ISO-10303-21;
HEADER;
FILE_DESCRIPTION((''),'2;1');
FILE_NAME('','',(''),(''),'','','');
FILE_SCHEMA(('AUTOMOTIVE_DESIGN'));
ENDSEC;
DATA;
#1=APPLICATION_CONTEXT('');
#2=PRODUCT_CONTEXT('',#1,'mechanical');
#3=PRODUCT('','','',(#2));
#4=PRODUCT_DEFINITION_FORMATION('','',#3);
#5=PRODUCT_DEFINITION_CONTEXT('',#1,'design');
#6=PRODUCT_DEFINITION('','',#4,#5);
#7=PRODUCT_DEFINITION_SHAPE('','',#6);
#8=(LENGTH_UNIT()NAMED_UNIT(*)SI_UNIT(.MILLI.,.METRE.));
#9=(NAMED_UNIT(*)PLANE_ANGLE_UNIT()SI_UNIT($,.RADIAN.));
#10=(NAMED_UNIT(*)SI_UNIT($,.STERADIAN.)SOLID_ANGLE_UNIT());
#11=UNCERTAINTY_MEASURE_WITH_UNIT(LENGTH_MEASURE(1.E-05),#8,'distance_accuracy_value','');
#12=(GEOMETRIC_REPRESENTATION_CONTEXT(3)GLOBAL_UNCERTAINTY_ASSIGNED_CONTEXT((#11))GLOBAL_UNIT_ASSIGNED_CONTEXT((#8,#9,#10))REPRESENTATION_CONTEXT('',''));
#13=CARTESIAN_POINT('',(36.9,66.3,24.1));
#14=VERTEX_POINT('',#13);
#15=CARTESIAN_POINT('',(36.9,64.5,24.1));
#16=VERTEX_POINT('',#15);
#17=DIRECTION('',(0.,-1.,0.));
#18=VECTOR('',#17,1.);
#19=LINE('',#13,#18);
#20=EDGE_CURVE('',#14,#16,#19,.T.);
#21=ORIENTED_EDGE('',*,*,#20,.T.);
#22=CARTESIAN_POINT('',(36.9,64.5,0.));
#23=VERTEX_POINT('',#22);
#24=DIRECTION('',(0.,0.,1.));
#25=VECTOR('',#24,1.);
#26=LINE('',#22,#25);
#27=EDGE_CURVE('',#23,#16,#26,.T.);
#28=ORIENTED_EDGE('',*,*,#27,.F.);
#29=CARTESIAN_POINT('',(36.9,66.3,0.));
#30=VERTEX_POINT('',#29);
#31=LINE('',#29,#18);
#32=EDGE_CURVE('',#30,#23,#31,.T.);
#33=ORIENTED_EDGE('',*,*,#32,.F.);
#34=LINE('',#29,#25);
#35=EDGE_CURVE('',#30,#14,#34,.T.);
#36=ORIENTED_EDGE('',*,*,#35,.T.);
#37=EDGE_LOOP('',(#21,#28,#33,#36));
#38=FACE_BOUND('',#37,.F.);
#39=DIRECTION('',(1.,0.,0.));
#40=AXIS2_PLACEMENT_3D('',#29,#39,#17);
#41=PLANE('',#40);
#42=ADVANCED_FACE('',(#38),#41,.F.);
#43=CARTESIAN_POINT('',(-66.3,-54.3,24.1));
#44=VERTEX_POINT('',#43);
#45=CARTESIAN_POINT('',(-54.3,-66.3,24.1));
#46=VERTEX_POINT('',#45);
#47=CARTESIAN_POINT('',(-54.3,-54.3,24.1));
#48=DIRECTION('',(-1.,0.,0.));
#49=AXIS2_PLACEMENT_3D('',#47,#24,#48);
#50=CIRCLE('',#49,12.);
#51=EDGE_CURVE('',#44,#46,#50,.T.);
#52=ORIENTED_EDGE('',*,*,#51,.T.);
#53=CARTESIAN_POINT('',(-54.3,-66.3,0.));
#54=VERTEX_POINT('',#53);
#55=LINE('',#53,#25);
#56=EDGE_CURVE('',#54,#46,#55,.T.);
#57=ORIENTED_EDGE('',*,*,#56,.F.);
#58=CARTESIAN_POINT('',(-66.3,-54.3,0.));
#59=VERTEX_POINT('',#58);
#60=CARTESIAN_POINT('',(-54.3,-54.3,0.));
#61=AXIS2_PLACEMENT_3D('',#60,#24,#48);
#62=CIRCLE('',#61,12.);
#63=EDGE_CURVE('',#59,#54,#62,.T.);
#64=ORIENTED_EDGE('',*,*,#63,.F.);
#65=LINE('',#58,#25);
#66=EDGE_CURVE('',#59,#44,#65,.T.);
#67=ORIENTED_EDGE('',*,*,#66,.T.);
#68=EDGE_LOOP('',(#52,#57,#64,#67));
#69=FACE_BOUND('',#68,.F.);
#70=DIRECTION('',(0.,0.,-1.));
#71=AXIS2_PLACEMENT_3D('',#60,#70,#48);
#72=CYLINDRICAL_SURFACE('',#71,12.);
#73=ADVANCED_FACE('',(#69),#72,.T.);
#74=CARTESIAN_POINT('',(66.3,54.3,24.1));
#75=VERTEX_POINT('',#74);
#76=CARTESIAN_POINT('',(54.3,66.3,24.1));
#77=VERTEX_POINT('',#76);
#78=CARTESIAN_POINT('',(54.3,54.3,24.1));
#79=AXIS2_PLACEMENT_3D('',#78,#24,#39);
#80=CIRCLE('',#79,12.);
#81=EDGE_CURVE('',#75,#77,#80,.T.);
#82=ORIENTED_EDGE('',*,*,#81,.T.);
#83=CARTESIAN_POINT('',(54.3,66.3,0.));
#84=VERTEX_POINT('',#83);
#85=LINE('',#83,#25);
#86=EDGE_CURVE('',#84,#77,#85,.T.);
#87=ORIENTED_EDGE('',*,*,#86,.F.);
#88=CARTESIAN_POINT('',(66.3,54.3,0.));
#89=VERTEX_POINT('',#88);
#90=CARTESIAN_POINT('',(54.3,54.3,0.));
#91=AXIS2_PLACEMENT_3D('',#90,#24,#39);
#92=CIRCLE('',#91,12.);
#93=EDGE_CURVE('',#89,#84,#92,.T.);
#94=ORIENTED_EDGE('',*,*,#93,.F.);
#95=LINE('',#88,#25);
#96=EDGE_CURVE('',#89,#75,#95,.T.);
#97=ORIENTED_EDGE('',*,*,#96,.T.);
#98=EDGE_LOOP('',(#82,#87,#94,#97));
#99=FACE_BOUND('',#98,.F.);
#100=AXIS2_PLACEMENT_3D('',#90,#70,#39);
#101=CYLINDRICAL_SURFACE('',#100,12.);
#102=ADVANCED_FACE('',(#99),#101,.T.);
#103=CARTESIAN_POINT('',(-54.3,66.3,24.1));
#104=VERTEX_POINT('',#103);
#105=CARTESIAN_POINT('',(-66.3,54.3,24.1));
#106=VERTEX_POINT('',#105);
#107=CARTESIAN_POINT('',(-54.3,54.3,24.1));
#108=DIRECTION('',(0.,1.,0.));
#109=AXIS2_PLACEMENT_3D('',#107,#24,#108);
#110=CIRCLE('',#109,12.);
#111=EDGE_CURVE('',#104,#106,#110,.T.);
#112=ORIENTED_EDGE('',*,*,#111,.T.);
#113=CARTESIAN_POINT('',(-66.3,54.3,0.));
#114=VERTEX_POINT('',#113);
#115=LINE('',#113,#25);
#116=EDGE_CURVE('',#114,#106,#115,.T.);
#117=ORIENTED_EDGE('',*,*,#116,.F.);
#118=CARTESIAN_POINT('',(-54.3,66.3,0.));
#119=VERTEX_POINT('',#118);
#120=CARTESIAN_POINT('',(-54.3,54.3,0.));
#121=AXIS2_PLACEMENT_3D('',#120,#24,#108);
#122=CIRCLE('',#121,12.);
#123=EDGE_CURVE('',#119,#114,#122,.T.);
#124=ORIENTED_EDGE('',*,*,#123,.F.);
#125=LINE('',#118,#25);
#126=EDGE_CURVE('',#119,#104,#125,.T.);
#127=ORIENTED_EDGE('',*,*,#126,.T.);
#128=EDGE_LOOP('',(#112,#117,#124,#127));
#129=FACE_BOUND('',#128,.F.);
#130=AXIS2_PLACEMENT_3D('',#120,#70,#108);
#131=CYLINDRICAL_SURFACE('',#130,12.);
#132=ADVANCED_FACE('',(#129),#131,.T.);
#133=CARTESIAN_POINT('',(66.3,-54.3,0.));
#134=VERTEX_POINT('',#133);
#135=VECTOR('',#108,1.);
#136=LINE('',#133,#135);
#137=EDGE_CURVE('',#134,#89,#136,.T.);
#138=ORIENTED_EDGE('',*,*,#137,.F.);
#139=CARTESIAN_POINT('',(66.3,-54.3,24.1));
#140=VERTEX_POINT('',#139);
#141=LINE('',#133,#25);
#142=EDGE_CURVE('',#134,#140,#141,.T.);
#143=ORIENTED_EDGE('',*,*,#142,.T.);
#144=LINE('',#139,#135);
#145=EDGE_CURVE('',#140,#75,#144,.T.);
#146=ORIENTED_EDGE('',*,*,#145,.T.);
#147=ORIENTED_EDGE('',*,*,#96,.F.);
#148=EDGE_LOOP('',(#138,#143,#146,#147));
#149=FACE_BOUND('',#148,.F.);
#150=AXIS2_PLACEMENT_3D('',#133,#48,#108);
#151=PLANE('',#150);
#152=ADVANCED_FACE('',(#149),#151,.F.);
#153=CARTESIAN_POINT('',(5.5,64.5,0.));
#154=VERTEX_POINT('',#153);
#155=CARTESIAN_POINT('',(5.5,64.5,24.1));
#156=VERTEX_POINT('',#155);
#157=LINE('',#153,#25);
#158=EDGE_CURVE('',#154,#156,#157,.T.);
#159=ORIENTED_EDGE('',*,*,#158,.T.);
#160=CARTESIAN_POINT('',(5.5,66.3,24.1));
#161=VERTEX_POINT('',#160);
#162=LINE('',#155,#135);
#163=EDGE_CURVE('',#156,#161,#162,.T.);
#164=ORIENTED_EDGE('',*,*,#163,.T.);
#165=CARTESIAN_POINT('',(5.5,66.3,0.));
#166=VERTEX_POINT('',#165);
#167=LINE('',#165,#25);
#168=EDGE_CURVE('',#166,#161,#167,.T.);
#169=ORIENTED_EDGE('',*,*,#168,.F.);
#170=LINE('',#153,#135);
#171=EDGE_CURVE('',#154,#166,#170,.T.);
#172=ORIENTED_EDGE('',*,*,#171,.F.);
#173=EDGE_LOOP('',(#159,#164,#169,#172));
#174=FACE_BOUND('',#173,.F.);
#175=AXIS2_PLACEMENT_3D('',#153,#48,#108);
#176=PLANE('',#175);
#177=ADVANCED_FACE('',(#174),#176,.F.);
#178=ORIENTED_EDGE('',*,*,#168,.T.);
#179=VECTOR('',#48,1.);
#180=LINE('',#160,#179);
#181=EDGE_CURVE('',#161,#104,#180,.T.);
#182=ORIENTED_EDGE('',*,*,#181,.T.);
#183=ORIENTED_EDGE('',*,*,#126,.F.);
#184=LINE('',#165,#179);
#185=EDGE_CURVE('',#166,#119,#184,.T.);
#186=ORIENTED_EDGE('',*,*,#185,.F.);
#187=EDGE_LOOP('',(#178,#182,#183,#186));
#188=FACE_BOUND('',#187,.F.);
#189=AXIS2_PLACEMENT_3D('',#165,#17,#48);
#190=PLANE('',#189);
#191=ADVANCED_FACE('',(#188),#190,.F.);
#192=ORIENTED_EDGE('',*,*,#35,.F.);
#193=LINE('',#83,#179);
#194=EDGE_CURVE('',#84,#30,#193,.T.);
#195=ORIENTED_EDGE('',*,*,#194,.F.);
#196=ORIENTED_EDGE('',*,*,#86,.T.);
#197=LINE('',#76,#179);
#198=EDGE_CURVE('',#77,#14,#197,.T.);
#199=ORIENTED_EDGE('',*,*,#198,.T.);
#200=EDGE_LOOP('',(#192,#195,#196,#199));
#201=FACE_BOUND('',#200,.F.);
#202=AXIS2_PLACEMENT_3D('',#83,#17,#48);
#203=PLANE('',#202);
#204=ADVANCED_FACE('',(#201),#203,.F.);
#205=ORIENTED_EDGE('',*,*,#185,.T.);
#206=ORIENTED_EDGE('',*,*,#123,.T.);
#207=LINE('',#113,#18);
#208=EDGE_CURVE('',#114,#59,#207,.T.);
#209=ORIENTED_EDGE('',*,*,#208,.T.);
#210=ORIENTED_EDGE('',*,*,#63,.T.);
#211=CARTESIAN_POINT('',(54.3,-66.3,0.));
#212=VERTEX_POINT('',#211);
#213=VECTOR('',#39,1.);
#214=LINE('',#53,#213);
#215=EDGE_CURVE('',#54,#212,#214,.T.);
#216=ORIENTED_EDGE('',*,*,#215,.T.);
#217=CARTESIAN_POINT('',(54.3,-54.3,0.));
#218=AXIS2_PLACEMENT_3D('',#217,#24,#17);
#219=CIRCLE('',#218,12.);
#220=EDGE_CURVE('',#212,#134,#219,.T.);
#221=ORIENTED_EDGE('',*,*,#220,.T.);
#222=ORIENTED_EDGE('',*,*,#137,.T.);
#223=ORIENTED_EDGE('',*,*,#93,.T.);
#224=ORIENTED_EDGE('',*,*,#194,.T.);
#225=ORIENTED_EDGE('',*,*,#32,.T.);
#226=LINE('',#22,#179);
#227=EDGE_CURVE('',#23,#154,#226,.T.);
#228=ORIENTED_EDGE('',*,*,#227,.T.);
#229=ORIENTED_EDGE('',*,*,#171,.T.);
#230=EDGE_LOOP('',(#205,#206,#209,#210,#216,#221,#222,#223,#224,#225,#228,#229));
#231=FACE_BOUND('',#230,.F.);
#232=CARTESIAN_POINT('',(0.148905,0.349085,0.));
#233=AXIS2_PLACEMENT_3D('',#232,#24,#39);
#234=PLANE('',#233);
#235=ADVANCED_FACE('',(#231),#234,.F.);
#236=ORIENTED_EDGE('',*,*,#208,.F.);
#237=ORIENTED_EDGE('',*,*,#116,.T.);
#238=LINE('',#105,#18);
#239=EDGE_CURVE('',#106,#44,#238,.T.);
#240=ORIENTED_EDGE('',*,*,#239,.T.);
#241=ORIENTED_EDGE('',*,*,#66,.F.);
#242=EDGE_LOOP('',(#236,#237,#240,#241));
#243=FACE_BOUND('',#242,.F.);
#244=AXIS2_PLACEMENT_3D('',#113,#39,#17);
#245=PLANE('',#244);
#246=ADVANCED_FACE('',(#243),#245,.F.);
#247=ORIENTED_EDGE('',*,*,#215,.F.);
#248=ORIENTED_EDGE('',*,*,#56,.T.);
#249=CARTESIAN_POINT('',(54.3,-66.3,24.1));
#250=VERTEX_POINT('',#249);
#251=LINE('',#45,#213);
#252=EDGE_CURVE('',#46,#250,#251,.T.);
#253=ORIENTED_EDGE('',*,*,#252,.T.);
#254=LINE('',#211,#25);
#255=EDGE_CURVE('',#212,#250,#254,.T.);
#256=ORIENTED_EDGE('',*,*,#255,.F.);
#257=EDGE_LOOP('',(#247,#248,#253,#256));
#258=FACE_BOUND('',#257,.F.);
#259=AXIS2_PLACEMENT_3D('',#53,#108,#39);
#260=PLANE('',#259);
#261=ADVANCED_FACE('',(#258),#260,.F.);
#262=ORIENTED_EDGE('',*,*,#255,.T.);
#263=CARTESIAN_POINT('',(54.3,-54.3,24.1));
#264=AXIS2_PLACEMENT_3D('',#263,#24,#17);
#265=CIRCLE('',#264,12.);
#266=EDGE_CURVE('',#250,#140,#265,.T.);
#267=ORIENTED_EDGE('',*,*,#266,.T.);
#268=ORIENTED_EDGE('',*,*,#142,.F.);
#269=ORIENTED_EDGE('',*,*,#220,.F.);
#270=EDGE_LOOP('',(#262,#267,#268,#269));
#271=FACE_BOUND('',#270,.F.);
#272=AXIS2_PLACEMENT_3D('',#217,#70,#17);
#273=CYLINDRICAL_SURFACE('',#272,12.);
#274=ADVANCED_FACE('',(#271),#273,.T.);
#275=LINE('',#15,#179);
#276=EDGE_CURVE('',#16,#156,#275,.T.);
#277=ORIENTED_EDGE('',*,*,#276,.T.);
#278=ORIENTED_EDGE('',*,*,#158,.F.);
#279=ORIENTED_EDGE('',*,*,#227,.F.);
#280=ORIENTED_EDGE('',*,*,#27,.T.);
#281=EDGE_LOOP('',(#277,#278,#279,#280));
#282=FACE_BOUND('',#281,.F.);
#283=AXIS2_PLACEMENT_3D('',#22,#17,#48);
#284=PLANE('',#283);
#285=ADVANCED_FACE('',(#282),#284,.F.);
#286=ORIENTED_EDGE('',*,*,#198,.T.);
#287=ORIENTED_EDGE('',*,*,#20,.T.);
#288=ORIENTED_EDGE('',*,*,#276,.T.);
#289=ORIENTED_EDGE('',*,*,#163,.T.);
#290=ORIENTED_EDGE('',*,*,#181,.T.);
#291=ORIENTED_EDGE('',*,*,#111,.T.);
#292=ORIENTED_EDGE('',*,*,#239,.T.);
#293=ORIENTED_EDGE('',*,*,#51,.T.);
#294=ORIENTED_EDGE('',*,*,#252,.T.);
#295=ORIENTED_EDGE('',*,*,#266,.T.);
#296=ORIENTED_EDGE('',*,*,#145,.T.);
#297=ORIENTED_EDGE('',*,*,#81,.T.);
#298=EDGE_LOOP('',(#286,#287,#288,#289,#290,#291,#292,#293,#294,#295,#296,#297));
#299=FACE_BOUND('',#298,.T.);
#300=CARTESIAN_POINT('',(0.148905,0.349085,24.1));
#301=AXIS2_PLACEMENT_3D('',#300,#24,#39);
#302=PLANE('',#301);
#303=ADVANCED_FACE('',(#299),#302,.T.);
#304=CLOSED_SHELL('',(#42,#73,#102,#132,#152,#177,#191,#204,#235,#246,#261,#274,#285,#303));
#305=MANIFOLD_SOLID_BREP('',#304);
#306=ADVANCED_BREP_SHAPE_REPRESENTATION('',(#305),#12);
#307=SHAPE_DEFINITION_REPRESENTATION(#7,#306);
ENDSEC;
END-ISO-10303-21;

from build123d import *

# Parameters (mm, degrees)
F2_DEPTH = 24.1


with BuildPart() as f2:
    # F1 (on Top) → F2 (new body)
    with BuildSketch(Plane.XY):
        with BuildLine():
            Line((5.5, 66.3), (-54.3, 66.3))
            ThreePointArc((-54.3, 66.3), (-62.7852813742, 62.7852813742), (-66.3, 54.3))
            Line((-66.3, 54.3), (-66.3, -54.3))
            ThreePointArc((-66.3, -54.3), (-62.7852813742, -62.7852813742), (-54.3, -66.3))
            Line((-54.3, -66.3), (54.3, -66.3))
            ThreePointArc((54.3, -66.3), (62.7852813742, -62.7852813742), (66.3, -54.3))
            Line((66.3, -54.3), (66.3, 54.3))
            ThreePointArc((66.3, 54.3), (62.7852813742, 62.7852813742), (54.3, 66.3))
            Line((54.3, 66.3), (36.9, 66.3))
            Line((36.9, 66.3), (36.9, 64.5))
            Line((36.9, 64.5), (5.5, 64.5))
            Line((5.5, 64.5), (5.5, 66.3))
        make_face()
    extrude(amount=F2_DEPTH)


solid = f2.part
